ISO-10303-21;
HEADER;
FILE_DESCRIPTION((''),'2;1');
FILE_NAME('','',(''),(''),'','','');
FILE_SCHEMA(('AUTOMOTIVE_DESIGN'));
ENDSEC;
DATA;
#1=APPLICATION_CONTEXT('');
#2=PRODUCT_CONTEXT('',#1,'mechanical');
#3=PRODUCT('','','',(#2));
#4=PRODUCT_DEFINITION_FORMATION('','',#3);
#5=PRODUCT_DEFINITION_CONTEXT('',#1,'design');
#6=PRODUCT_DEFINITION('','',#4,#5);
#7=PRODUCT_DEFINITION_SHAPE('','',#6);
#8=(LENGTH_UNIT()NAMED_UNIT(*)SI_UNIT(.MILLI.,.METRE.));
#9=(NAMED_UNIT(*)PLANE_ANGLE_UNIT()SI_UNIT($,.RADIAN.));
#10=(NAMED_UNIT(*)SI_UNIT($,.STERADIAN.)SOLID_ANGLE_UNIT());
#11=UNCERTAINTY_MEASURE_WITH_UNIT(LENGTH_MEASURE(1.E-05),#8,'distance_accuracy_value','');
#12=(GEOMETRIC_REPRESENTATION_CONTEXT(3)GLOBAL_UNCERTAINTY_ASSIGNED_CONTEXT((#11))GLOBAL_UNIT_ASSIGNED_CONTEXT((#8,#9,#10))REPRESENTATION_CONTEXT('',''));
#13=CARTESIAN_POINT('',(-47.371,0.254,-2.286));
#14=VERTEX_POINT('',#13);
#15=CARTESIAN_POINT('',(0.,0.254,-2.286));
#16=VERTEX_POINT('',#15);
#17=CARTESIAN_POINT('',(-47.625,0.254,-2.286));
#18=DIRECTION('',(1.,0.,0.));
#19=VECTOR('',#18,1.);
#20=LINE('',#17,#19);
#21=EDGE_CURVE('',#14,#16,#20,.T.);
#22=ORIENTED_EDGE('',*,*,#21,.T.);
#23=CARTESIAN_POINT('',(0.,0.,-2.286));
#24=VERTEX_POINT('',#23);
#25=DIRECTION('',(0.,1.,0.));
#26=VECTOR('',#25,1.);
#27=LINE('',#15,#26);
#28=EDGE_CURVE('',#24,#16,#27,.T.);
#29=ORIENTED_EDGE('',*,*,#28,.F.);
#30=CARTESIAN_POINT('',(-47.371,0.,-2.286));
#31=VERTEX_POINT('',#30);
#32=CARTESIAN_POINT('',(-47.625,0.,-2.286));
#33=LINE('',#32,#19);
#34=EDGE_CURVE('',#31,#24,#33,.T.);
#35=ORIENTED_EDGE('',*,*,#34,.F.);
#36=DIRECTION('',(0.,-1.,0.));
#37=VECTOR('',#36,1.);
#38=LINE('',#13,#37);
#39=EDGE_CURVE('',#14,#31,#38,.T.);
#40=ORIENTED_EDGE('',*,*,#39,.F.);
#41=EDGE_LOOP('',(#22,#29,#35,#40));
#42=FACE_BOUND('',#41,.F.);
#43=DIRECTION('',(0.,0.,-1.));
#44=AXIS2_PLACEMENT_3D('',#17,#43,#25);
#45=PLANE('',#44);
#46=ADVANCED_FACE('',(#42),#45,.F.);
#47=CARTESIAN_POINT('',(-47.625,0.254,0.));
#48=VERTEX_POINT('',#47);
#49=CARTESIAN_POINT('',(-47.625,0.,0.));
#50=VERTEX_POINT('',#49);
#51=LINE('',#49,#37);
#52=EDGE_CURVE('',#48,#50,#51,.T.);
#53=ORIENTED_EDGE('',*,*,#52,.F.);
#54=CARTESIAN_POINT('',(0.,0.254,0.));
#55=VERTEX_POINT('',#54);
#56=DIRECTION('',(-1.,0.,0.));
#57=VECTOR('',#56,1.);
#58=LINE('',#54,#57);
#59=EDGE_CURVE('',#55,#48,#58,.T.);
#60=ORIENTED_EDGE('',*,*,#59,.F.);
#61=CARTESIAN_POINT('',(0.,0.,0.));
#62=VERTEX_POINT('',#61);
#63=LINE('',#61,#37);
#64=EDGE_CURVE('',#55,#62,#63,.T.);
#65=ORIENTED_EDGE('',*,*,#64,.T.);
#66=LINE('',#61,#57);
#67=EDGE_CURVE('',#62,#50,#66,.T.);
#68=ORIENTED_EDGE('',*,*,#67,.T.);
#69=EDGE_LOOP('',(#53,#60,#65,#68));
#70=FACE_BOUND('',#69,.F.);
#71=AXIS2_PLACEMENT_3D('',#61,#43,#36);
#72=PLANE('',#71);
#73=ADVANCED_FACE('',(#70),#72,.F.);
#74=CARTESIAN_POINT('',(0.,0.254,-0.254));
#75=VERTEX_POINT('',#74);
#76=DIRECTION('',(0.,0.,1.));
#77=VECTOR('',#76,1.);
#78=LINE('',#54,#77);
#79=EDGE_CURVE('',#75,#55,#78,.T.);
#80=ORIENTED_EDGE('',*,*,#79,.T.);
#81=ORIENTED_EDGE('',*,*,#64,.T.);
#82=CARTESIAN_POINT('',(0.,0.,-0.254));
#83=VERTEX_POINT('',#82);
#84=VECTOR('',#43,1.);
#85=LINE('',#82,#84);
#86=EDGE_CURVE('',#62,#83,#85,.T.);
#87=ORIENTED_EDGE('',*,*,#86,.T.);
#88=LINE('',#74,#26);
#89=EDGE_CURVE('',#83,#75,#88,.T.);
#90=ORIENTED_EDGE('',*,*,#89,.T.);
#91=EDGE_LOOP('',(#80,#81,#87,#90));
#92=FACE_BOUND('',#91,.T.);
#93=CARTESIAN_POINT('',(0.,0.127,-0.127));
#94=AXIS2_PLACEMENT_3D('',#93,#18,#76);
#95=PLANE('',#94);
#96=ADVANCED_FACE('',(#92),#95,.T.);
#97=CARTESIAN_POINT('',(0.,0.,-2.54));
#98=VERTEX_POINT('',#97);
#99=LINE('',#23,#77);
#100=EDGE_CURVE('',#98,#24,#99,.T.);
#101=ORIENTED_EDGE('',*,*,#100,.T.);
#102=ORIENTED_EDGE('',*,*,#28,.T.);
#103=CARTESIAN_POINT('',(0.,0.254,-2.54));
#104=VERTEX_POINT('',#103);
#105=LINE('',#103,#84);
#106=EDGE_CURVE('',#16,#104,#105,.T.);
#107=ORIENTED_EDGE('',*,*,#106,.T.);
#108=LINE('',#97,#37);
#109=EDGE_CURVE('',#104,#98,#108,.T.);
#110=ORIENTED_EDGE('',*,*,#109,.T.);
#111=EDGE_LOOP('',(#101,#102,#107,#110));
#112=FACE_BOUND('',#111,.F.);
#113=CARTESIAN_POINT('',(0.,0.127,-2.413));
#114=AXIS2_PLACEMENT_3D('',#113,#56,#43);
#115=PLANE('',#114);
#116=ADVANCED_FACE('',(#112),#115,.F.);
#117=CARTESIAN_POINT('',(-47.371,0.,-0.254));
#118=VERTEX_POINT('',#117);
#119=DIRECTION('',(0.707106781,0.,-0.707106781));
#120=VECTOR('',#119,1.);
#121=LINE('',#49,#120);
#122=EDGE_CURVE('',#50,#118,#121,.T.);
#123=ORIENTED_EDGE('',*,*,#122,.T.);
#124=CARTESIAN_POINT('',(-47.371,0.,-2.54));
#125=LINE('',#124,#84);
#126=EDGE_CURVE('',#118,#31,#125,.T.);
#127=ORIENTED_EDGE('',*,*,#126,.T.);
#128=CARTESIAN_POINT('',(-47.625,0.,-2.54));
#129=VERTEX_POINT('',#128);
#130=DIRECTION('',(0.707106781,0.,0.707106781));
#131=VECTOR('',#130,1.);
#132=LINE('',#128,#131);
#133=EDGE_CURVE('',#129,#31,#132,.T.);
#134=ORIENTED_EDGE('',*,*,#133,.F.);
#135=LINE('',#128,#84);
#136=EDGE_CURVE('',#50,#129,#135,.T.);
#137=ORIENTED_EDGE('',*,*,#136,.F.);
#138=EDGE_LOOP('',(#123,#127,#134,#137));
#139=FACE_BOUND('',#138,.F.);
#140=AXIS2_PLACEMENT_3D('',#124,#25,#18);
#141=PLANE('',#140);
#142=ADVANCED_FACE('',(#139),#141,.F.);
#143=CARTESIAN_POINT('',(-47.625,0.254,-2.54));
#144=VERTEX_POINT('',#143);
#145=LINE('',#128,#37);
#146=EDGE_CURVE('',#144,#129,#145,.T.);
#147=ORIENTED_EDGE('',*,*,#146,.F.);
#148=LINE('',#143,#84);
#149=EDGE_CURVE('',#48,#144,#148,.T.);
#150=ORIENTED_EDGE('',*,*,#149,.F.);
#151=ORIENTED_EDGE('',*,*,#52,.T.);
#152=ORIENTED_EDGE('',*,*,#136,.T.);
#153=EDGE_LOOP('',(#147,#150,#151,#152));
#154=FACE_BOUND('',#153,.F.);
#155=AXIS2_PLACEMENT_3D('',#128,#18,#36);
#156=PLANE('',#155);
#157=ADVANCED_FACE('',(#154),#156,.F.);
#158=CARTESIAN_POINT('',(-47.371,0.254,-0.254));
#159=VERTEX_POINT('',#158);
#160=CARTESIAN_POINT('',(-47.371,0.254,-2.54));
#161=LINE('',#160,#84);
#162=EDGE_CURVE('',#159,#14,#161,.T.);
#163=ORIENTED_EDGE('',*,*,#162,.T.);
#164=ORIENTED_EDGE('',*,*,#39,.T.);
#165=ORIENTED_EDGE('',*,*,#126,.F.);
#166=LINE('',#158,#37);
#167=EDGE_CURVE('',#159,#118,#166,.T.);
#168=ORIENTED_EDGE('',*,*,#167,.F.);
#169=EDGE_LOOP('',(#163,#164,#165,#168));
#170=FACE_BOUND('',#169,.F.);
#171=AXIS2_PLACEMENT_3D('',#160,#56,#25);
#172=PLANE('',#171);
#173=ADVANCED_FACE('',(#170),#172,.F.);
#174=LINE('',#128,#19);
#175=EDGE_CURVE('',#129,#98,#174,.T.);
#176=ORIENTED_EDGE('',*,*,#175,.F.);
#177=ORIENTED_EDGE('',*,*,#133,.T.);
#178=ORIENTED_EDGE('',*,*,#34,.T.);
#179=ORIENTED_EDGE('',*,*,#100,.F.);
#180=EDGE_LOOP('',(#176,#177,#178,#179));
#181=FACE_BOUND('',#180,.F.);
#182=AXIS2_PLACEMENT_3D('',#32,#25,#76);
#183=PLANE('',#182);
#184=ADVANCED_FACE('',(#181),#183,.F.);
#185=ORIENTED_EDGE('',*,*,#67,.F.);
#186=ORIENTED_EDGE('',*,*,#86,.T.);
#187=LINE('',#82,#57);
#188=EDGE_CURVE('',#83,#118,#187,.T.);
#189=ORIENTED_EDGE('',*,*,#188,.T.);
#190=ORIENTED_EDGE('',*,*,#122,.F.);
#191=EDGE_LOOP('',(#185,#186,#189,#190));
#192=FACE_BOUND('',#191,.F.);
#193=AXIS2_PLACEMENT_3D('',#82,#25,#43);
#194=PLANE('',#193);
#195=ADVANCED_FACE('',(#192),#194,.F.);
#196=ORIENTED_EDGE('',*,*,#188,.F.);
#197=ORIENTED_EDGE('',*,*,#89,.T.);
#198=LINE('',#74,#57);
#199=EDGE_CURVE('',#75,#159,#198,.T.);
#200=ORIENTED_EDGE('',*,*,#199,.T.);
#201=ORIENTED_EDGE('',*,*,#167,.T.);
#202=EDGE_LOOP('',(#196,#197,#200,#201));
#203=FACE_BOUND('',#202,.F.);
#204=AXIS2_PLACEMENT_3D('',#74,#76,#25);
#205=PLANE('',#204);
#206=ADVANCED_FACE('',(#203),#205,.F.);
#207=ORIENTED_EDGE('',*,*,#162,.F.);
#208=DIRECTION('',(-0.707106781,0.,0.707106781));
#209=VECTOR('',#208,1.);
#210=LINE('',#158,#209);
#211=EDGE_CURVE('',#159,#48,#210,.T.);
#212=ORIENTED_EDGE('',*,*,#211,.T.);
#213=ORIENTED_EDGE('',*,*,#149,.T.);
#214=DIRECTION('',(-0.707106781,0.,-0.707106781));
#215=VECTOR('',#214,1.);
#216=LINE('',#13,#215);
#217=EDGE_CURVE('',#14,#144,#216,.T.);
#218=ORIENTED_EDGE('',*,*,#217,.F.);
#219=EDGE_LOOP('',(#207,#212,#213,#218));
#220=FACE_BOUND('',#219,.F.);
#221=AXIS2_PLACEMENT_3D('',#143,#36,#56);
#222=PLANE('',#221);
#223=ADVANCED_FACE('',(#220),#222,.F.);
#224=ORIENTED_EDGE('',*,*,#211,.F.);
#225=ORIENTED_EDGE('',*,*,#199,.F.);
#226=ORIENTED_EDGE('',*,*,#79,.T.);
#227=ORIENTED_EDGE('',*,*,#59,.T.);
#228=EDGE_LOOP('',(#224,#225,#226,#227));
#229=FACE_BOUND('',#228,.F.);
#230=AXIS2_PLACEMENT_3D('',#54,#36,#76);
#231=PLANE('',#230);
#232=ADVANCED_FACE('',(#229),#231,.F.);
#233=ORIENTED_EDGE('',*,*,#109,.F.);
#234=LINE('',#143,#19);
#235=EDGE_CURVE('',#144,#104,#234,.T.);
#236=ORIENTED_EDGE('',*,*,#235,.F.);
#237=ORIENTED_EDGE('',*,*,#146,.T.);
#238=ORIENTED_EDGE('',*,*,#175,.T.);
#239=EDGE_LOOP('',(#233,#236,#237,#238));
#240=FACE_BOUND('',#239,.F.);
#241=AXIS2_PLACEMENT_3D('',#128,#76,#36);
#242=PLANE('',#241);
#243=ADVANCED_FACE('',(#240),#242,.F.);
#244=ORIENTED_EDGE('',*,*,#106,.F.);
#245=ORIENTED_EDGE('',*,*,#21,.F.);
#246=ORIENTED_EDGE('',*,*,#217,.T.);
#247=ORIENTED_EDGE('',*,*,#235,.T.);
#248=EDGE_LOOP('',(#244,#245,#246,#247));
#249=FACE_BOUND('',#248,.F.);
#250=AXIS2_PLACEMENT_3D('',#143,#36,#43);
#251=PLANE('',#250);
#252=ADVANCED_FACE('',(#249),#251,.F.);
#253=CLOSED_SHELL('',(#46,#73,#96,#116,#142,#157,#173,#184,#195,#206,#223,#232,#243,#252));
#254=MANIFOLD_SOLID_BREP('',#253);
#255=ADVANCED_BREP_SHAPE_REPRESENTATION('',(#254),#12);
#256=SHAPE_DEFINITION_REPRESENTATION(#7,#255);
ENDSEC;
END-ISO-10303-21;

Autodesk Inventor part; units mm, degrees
ref_plane "XZ Plane" through (0, 0, 0) normal (0, 1, 0) x (-1, 0, 0)
sketch "Sketch1" plane through (0, 0, 0) normal (0, 1, 0) x (-1, 0, 0)
  line L0 (0, 0) -> (47.625, 0)
  line L1 (47.625, -2.54) -> (0, -2.54)
  line L2 (47.625, -2.54) -> (47.625, 0)
  dimension "d69" = 47.625
  dimension "d70" = 47.625
  dimension "d89" = 2.54
  dimension "d90" = 0
  dimension "d91" = 0
  dimension "d92" = 0
sketch "Sketch2" plane through (0, 0, 0) normal (1, 0, 0) x (0, 1, 0)
  line L0 (0, 0) -> (0.254, 0)
  line L1 (0.254, 0) -> (0.254, -0.254)
  line L2 (0.254, -0.254) -> (0, -0.254)
  line L3 (0, -0.254) -> (0, 0)
  dimension "d98" = 0.254
  dimension "d99" = 0.254
sweep "Sweep1" add profiles "Sketch2" path "Sketch1"
ref_plane "Work Plane1" through (6.35, 0, 0) normal (1, 0, 0) x (0, 1, 0)
ref_plane "Work Plane2" through (0, 0, -6.35) normal (0, 0, 1) x (1, 0, 0)
ref_plane "Work Plane4" through (0, 0, -2.9845) normal (0, 0, 1) x (1, 0, 0)
properties part number "basic strain gauge 0p01 long" material "Silver"
